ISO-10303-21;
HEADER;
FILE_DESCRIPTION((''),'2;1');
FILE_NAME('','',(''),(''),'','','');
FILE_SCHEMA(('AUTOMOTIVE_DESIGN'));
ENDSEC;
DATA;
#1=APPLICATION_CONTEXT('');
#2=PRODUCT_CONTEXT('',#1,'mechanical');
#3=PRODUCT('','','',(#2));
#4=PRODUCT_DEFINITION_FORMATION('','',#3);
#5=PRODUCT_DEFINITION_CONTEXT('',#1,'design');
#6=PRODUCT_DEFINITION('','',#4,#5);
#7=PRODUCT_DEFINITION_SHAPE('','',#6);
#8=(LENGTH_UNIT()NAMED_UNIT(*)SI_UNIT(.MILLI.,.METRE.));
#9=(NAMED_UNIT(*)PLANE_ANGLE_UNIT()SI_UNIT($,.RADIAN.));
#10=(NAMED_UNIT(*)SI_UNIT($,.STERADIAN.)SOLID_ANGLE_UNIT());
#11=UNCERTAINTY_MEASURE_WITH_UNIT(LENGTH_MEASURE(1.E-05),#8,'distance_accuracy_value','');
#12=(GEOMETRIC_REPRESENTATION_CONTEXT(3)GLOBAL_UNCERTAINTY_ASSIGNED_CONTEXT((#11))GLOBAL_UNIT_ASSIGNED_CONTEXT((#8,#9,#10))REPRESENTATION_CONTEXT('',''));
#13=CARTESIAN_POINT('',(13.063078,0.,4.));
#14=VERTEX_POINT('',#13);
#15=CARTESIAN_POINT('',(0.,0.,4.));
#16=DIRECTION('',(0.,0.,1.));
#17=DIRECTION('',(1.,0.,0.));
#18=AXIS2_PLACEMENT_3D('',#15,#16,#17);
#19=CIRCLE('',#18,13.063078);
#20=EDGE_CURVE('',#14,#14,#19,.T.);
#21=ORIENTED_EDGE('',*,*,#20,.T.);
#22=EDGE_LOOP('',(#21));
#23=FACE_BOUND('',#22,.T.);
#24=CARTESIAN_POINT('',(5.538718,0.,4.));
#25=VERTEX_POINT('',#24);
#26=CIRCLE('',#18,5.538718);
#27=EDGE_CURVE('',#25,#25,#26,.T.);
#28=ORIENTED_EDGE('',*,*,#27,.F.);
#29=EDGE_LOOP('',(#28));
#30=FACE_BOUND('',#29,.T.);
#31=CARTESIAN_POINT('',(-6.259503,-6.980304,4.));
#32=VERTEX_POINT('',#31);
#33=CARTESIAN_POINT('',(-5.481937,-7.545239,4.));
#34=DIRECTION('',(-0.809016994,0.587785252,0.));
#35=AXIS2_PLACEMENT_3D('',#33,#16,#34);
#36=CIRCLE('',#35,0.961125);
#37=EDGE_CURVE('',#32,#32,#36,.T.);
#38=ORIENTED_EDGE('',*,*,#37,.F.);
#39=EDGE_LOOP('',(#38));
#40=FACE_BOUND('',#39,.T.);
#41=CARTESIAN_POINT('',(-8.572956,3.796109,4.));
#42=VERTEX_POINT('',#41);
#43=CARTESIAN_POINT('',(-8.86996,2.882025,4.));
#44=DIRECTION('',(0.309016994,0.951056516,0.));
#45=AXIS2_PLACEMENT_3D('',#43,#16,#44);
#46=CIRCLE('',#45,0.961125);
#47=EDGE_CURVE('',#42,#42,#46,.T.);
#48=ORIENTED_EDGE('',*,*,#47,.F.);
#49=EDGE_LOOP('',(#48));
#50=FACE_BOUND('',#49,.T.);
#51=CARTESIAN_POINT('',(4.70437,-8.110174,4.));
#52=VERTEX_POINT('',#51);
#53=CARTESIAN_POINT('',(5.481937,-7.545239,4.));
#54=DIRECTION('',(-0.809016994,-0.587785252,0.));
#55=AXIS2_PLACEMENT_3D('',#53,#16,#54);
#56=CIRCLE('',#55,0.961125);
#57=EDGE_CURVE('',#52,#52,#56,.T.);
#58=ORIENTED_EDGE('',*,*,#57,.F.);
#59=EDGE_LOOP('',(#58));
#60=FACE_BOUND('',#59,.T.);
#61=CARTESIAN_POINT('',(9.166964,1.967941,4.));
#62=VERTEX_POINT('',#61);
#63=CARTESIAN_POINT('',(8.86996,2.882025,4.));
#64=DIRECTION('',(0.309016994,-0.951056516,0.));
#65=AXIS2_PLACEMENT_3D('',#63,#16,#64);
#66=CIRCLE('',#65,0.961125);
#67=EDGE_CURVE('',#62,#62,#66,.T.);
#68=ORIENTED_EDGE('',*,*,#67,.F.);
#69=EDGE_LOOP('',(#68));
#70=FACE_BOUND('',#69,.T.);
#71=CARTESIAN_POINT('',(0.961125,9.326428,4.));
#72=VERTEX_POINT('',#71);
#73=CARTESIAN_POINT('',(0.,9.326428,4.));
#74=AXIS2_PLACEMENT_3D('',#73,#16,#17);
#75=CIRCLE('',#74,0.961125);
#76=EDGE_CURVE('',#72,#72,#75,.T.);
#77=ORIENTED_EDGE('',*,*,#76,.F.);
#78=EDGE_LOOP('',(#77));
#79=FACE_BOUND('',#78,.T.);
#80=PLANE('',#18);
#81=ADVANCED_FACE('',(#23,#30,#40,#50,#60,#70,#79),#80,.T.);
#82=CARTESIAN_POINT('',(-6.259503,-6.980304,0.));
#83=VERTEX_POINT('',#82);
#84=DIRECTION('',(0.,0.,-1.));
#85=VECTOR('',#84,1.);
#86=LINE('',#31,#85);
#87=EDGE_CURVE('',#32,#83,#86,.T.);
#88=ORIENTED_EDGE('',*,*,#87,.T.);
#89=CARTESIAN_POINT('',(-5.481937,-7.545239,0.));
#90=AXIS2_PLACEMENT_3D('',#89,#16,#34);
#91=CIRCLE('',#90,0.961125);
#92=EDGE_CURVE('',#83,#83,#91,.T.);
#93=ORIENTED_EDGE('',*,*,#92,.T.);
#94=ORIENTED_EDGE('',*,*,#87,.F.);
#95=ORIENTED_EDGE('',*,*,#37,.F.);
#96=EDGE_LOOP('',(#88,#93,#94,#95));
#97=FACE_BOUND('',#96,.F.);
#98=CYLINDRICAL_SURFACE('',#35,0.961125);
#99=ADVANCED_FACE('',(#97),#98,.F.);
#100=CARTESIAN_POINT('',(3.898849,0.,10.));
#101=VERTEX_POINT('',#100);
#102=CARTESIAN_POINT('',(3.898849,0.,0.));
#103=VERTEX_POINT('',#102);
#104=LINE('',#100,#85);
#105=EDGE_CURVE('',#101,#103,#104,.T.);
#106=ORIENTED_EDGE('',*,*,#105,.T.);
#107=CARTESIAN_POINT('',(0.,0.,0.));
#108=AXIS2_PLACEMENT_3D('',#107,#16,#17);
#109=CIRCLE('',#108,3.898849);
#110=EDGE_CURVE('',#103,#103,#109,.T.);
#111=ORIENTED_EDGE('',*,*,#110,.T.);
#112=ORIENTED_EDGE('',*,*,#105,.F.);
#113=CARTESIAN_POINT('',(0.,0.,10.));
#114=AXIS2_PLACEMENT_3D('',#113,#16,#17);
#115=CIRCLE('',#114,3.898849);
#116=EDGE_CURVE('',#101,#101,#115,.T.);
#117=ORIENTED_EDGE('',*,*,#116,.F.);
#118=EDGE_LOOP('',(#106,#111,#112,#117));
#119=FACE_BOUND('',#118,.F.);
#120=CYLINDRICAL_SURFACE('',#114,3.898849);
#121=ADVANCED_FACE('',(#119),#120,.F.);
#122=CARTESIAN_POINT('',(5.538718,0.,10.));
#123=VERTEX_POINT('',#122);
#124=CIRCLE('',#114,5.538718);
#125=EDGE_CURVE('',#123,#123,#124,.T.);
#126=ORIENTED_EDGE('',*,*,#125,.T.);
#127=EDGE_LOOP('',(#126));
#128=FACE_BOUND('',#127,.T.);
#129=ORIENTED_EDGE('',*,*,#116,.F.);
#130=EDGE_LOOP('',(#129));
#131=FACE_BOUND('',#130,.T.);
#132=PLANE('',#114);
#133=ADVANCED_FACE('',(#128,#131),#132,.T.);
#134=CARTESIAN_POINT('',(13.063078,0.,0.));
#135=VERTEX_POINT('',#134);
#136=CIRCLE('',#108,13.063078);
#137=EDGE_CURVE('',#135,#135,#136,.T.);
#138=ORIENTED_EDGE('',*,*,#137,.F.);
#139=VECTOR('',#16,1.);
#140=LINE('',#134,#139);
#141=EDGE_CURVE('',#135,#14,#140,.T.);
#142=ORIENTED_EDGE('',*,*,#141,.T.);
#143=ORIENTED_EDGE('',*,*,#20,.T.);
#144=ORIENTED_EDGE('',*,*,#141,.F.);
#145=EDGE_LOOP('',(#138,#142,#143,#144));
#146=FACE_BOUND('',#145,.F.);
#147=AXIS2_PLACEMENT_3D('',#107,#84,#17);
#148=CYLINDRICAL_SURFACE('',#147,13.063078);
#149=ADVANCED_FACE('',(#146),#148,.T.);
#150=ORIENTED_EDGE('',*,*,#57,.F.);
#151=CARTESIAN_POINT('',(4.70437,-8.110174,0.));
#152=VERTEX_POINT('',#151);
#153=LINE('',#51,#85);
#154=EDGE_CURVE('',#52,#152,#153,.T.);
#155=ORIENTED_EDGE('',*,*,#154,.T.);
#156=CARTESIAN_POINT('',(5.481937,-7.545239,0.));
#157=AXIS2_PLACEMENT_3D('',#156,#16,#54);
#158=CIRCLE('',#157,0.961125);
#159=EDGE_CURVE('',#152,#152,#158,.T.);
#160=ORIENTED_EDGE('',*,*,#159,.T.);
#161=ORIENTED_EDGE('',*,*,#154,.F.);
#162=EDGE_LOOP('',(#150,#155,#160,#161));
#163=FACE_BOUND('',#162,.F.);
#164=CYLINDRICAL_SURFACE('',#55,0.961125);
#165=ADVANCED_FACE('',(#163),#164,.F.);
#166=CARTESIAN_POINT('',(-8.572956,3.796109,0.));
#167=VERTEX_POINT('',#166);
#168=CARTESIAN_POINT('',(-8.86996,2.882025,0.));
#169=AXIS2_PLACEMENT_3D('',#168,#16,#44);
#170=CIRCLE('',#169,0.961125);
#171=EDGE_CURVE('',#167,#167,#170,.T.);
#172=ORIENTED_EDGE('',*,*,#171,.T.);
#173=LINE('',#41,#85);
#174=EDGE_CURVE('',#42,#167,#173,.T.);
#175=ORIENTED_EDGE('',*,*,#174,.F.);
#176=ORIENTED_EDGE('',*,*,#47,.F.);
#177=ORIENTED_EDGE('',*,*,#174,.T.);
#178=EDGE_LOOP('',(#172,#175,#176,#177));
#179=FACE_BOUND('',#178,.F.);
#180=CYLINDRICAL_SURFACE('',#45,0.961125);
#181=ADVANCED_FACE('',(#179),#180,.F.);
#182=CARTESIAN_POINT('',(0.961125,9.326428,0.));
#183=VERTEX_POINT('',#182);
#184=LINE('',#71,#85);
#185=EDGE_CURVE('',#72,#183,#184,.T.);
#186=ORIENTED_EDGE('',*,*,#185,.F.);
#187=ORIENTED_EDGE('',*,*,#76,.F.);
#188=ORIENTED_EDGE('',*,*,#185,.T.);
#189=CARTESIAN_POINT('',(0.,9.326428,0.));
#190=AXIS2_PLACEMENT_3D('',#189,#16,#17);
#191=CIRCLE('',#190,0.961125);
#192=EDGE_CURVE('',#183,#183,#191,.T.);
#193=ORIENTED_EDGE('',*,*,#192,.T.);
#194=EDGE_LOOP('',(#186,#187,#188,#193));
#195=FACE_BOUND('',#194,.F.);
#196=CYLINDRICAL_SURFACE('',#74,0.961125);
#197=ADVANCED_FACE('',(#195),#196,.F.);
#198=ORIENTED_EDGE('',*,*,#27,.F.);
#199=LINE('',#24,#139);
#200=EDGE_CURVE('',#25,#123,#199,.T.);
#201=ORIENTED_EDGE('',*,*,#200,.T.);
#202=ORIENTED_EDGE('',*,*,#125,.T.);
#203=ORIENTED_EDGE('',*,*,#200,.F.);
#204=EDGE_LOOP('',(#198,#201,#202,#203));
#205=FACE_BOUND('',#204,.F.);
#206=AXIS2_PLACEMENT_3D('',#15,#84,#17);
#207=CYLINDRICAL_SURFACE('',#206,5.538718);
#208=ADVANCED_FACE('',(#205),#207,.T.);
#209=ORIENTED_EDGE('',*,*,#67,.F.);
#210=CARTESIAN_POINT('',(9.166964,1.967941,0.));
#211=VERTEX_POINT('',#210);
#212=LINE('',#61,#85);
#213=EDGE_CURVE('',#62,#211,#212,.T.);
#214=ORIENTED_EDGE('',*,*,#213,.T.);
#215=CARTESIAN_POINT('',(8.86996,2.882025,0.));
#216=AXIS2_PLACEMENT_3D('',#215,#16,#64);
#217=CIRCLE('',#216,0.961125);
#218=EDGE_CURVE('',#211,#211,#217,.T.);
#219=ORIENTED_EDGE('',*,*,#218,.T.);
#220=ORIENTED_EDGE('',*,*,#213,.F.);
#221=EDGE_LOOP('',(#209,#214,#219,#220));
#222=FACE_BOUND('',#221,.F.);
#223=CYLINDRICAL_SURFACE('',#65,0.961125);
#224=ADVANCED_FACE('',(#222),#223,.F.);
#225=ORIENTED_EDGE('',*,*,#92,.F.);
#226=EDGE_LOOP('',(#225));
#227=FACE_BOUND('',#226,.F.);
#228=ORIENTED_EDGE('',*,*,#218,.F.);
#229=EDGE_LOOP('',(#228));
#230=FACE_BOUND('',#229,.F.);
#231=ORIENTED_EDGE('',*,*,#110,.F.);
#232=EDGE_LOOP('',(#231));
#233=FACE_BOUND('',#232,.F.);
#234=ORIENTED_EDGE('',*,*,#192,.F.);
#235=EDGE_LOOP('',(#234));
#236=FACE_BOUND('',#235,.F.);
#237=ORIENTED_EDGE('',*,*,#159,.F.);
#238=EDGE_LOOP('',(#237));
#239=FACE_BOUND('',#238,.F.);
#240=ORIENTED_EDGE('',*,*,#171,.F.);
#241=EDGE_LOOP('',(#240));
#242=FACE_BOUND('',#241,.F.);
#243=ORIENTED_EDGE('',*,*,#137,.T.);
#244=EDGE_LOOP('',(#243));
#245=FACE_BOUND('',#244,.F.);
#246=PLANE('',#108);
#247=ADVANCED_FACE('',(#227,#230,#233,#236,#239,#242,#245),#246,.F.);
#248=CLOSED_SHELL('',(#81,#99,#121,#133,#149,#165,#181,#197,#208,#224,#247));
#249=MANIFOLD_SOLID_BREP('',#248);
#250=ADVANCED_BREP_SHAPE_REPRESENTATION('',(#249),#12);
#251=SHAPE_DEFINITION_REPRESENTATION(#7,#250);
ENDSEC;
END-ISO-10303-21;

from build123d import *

# Parameters (mm, degrees)
SKETCH_R           = 13.063078
PAD_DEPTH          = 4
SKETCH001_R        = 0.961125
POCKET_DEPTH       = 78.328708
POLARPATTERN_COUNT = 5
SKETCH002_R        = 5.538718
PAD001_DEPTH       = 6
SKETCH003_R        = 3.898849
POCKET001_DEPTH    = 10.001


with BuildPart() as part:
    # Sketch → Pad (new body)
    with BuildSketch(Plane.XY):
        Circle(SKETCH_R)
    extrude(amount=PAD_DEPTH)

    # Sketch001 (on DatumPlane) → Pocket (cut, through all)
    with BuildSketch(Plane.XY.offset(4)):
        with Locations((0, 9.326428)):
            Circle(SKETCH001_R)
    pocket = extrude(amount=-POCKET_DEPTH, mode=Mode.SUBTRACT)

    # PolarPattern: Pocket ×5 about axis
    polarpattern_axis = Axis((0, 0, 4), (0, 0, 1))
    for i in range(1, POLARPATTERN_COUNT):
        add(pocket.rotate(polarpattern_axis, i * 360 / POLARPATTERN_COUNT), mode=Mode.SUBTRACT)

    # Sketch002 (on DatumPlane) → Pad001 (join)
    with BuildSketch(Plane.XY.offset(4)):
        Circle(SKETCH002_R)
    extrude(amount=PAD001_DEPTH)

    # Sketch003 (on DatumPlane) → Pocket001 (cut, through all)
    with BuildSketch(Plane.XY.offset(10)):
        Circle(SKETCH003_R)
    extrude(amount=-POCKET001_DEPTH, mode=Mode.SUBTRACT)


solid = part.part
